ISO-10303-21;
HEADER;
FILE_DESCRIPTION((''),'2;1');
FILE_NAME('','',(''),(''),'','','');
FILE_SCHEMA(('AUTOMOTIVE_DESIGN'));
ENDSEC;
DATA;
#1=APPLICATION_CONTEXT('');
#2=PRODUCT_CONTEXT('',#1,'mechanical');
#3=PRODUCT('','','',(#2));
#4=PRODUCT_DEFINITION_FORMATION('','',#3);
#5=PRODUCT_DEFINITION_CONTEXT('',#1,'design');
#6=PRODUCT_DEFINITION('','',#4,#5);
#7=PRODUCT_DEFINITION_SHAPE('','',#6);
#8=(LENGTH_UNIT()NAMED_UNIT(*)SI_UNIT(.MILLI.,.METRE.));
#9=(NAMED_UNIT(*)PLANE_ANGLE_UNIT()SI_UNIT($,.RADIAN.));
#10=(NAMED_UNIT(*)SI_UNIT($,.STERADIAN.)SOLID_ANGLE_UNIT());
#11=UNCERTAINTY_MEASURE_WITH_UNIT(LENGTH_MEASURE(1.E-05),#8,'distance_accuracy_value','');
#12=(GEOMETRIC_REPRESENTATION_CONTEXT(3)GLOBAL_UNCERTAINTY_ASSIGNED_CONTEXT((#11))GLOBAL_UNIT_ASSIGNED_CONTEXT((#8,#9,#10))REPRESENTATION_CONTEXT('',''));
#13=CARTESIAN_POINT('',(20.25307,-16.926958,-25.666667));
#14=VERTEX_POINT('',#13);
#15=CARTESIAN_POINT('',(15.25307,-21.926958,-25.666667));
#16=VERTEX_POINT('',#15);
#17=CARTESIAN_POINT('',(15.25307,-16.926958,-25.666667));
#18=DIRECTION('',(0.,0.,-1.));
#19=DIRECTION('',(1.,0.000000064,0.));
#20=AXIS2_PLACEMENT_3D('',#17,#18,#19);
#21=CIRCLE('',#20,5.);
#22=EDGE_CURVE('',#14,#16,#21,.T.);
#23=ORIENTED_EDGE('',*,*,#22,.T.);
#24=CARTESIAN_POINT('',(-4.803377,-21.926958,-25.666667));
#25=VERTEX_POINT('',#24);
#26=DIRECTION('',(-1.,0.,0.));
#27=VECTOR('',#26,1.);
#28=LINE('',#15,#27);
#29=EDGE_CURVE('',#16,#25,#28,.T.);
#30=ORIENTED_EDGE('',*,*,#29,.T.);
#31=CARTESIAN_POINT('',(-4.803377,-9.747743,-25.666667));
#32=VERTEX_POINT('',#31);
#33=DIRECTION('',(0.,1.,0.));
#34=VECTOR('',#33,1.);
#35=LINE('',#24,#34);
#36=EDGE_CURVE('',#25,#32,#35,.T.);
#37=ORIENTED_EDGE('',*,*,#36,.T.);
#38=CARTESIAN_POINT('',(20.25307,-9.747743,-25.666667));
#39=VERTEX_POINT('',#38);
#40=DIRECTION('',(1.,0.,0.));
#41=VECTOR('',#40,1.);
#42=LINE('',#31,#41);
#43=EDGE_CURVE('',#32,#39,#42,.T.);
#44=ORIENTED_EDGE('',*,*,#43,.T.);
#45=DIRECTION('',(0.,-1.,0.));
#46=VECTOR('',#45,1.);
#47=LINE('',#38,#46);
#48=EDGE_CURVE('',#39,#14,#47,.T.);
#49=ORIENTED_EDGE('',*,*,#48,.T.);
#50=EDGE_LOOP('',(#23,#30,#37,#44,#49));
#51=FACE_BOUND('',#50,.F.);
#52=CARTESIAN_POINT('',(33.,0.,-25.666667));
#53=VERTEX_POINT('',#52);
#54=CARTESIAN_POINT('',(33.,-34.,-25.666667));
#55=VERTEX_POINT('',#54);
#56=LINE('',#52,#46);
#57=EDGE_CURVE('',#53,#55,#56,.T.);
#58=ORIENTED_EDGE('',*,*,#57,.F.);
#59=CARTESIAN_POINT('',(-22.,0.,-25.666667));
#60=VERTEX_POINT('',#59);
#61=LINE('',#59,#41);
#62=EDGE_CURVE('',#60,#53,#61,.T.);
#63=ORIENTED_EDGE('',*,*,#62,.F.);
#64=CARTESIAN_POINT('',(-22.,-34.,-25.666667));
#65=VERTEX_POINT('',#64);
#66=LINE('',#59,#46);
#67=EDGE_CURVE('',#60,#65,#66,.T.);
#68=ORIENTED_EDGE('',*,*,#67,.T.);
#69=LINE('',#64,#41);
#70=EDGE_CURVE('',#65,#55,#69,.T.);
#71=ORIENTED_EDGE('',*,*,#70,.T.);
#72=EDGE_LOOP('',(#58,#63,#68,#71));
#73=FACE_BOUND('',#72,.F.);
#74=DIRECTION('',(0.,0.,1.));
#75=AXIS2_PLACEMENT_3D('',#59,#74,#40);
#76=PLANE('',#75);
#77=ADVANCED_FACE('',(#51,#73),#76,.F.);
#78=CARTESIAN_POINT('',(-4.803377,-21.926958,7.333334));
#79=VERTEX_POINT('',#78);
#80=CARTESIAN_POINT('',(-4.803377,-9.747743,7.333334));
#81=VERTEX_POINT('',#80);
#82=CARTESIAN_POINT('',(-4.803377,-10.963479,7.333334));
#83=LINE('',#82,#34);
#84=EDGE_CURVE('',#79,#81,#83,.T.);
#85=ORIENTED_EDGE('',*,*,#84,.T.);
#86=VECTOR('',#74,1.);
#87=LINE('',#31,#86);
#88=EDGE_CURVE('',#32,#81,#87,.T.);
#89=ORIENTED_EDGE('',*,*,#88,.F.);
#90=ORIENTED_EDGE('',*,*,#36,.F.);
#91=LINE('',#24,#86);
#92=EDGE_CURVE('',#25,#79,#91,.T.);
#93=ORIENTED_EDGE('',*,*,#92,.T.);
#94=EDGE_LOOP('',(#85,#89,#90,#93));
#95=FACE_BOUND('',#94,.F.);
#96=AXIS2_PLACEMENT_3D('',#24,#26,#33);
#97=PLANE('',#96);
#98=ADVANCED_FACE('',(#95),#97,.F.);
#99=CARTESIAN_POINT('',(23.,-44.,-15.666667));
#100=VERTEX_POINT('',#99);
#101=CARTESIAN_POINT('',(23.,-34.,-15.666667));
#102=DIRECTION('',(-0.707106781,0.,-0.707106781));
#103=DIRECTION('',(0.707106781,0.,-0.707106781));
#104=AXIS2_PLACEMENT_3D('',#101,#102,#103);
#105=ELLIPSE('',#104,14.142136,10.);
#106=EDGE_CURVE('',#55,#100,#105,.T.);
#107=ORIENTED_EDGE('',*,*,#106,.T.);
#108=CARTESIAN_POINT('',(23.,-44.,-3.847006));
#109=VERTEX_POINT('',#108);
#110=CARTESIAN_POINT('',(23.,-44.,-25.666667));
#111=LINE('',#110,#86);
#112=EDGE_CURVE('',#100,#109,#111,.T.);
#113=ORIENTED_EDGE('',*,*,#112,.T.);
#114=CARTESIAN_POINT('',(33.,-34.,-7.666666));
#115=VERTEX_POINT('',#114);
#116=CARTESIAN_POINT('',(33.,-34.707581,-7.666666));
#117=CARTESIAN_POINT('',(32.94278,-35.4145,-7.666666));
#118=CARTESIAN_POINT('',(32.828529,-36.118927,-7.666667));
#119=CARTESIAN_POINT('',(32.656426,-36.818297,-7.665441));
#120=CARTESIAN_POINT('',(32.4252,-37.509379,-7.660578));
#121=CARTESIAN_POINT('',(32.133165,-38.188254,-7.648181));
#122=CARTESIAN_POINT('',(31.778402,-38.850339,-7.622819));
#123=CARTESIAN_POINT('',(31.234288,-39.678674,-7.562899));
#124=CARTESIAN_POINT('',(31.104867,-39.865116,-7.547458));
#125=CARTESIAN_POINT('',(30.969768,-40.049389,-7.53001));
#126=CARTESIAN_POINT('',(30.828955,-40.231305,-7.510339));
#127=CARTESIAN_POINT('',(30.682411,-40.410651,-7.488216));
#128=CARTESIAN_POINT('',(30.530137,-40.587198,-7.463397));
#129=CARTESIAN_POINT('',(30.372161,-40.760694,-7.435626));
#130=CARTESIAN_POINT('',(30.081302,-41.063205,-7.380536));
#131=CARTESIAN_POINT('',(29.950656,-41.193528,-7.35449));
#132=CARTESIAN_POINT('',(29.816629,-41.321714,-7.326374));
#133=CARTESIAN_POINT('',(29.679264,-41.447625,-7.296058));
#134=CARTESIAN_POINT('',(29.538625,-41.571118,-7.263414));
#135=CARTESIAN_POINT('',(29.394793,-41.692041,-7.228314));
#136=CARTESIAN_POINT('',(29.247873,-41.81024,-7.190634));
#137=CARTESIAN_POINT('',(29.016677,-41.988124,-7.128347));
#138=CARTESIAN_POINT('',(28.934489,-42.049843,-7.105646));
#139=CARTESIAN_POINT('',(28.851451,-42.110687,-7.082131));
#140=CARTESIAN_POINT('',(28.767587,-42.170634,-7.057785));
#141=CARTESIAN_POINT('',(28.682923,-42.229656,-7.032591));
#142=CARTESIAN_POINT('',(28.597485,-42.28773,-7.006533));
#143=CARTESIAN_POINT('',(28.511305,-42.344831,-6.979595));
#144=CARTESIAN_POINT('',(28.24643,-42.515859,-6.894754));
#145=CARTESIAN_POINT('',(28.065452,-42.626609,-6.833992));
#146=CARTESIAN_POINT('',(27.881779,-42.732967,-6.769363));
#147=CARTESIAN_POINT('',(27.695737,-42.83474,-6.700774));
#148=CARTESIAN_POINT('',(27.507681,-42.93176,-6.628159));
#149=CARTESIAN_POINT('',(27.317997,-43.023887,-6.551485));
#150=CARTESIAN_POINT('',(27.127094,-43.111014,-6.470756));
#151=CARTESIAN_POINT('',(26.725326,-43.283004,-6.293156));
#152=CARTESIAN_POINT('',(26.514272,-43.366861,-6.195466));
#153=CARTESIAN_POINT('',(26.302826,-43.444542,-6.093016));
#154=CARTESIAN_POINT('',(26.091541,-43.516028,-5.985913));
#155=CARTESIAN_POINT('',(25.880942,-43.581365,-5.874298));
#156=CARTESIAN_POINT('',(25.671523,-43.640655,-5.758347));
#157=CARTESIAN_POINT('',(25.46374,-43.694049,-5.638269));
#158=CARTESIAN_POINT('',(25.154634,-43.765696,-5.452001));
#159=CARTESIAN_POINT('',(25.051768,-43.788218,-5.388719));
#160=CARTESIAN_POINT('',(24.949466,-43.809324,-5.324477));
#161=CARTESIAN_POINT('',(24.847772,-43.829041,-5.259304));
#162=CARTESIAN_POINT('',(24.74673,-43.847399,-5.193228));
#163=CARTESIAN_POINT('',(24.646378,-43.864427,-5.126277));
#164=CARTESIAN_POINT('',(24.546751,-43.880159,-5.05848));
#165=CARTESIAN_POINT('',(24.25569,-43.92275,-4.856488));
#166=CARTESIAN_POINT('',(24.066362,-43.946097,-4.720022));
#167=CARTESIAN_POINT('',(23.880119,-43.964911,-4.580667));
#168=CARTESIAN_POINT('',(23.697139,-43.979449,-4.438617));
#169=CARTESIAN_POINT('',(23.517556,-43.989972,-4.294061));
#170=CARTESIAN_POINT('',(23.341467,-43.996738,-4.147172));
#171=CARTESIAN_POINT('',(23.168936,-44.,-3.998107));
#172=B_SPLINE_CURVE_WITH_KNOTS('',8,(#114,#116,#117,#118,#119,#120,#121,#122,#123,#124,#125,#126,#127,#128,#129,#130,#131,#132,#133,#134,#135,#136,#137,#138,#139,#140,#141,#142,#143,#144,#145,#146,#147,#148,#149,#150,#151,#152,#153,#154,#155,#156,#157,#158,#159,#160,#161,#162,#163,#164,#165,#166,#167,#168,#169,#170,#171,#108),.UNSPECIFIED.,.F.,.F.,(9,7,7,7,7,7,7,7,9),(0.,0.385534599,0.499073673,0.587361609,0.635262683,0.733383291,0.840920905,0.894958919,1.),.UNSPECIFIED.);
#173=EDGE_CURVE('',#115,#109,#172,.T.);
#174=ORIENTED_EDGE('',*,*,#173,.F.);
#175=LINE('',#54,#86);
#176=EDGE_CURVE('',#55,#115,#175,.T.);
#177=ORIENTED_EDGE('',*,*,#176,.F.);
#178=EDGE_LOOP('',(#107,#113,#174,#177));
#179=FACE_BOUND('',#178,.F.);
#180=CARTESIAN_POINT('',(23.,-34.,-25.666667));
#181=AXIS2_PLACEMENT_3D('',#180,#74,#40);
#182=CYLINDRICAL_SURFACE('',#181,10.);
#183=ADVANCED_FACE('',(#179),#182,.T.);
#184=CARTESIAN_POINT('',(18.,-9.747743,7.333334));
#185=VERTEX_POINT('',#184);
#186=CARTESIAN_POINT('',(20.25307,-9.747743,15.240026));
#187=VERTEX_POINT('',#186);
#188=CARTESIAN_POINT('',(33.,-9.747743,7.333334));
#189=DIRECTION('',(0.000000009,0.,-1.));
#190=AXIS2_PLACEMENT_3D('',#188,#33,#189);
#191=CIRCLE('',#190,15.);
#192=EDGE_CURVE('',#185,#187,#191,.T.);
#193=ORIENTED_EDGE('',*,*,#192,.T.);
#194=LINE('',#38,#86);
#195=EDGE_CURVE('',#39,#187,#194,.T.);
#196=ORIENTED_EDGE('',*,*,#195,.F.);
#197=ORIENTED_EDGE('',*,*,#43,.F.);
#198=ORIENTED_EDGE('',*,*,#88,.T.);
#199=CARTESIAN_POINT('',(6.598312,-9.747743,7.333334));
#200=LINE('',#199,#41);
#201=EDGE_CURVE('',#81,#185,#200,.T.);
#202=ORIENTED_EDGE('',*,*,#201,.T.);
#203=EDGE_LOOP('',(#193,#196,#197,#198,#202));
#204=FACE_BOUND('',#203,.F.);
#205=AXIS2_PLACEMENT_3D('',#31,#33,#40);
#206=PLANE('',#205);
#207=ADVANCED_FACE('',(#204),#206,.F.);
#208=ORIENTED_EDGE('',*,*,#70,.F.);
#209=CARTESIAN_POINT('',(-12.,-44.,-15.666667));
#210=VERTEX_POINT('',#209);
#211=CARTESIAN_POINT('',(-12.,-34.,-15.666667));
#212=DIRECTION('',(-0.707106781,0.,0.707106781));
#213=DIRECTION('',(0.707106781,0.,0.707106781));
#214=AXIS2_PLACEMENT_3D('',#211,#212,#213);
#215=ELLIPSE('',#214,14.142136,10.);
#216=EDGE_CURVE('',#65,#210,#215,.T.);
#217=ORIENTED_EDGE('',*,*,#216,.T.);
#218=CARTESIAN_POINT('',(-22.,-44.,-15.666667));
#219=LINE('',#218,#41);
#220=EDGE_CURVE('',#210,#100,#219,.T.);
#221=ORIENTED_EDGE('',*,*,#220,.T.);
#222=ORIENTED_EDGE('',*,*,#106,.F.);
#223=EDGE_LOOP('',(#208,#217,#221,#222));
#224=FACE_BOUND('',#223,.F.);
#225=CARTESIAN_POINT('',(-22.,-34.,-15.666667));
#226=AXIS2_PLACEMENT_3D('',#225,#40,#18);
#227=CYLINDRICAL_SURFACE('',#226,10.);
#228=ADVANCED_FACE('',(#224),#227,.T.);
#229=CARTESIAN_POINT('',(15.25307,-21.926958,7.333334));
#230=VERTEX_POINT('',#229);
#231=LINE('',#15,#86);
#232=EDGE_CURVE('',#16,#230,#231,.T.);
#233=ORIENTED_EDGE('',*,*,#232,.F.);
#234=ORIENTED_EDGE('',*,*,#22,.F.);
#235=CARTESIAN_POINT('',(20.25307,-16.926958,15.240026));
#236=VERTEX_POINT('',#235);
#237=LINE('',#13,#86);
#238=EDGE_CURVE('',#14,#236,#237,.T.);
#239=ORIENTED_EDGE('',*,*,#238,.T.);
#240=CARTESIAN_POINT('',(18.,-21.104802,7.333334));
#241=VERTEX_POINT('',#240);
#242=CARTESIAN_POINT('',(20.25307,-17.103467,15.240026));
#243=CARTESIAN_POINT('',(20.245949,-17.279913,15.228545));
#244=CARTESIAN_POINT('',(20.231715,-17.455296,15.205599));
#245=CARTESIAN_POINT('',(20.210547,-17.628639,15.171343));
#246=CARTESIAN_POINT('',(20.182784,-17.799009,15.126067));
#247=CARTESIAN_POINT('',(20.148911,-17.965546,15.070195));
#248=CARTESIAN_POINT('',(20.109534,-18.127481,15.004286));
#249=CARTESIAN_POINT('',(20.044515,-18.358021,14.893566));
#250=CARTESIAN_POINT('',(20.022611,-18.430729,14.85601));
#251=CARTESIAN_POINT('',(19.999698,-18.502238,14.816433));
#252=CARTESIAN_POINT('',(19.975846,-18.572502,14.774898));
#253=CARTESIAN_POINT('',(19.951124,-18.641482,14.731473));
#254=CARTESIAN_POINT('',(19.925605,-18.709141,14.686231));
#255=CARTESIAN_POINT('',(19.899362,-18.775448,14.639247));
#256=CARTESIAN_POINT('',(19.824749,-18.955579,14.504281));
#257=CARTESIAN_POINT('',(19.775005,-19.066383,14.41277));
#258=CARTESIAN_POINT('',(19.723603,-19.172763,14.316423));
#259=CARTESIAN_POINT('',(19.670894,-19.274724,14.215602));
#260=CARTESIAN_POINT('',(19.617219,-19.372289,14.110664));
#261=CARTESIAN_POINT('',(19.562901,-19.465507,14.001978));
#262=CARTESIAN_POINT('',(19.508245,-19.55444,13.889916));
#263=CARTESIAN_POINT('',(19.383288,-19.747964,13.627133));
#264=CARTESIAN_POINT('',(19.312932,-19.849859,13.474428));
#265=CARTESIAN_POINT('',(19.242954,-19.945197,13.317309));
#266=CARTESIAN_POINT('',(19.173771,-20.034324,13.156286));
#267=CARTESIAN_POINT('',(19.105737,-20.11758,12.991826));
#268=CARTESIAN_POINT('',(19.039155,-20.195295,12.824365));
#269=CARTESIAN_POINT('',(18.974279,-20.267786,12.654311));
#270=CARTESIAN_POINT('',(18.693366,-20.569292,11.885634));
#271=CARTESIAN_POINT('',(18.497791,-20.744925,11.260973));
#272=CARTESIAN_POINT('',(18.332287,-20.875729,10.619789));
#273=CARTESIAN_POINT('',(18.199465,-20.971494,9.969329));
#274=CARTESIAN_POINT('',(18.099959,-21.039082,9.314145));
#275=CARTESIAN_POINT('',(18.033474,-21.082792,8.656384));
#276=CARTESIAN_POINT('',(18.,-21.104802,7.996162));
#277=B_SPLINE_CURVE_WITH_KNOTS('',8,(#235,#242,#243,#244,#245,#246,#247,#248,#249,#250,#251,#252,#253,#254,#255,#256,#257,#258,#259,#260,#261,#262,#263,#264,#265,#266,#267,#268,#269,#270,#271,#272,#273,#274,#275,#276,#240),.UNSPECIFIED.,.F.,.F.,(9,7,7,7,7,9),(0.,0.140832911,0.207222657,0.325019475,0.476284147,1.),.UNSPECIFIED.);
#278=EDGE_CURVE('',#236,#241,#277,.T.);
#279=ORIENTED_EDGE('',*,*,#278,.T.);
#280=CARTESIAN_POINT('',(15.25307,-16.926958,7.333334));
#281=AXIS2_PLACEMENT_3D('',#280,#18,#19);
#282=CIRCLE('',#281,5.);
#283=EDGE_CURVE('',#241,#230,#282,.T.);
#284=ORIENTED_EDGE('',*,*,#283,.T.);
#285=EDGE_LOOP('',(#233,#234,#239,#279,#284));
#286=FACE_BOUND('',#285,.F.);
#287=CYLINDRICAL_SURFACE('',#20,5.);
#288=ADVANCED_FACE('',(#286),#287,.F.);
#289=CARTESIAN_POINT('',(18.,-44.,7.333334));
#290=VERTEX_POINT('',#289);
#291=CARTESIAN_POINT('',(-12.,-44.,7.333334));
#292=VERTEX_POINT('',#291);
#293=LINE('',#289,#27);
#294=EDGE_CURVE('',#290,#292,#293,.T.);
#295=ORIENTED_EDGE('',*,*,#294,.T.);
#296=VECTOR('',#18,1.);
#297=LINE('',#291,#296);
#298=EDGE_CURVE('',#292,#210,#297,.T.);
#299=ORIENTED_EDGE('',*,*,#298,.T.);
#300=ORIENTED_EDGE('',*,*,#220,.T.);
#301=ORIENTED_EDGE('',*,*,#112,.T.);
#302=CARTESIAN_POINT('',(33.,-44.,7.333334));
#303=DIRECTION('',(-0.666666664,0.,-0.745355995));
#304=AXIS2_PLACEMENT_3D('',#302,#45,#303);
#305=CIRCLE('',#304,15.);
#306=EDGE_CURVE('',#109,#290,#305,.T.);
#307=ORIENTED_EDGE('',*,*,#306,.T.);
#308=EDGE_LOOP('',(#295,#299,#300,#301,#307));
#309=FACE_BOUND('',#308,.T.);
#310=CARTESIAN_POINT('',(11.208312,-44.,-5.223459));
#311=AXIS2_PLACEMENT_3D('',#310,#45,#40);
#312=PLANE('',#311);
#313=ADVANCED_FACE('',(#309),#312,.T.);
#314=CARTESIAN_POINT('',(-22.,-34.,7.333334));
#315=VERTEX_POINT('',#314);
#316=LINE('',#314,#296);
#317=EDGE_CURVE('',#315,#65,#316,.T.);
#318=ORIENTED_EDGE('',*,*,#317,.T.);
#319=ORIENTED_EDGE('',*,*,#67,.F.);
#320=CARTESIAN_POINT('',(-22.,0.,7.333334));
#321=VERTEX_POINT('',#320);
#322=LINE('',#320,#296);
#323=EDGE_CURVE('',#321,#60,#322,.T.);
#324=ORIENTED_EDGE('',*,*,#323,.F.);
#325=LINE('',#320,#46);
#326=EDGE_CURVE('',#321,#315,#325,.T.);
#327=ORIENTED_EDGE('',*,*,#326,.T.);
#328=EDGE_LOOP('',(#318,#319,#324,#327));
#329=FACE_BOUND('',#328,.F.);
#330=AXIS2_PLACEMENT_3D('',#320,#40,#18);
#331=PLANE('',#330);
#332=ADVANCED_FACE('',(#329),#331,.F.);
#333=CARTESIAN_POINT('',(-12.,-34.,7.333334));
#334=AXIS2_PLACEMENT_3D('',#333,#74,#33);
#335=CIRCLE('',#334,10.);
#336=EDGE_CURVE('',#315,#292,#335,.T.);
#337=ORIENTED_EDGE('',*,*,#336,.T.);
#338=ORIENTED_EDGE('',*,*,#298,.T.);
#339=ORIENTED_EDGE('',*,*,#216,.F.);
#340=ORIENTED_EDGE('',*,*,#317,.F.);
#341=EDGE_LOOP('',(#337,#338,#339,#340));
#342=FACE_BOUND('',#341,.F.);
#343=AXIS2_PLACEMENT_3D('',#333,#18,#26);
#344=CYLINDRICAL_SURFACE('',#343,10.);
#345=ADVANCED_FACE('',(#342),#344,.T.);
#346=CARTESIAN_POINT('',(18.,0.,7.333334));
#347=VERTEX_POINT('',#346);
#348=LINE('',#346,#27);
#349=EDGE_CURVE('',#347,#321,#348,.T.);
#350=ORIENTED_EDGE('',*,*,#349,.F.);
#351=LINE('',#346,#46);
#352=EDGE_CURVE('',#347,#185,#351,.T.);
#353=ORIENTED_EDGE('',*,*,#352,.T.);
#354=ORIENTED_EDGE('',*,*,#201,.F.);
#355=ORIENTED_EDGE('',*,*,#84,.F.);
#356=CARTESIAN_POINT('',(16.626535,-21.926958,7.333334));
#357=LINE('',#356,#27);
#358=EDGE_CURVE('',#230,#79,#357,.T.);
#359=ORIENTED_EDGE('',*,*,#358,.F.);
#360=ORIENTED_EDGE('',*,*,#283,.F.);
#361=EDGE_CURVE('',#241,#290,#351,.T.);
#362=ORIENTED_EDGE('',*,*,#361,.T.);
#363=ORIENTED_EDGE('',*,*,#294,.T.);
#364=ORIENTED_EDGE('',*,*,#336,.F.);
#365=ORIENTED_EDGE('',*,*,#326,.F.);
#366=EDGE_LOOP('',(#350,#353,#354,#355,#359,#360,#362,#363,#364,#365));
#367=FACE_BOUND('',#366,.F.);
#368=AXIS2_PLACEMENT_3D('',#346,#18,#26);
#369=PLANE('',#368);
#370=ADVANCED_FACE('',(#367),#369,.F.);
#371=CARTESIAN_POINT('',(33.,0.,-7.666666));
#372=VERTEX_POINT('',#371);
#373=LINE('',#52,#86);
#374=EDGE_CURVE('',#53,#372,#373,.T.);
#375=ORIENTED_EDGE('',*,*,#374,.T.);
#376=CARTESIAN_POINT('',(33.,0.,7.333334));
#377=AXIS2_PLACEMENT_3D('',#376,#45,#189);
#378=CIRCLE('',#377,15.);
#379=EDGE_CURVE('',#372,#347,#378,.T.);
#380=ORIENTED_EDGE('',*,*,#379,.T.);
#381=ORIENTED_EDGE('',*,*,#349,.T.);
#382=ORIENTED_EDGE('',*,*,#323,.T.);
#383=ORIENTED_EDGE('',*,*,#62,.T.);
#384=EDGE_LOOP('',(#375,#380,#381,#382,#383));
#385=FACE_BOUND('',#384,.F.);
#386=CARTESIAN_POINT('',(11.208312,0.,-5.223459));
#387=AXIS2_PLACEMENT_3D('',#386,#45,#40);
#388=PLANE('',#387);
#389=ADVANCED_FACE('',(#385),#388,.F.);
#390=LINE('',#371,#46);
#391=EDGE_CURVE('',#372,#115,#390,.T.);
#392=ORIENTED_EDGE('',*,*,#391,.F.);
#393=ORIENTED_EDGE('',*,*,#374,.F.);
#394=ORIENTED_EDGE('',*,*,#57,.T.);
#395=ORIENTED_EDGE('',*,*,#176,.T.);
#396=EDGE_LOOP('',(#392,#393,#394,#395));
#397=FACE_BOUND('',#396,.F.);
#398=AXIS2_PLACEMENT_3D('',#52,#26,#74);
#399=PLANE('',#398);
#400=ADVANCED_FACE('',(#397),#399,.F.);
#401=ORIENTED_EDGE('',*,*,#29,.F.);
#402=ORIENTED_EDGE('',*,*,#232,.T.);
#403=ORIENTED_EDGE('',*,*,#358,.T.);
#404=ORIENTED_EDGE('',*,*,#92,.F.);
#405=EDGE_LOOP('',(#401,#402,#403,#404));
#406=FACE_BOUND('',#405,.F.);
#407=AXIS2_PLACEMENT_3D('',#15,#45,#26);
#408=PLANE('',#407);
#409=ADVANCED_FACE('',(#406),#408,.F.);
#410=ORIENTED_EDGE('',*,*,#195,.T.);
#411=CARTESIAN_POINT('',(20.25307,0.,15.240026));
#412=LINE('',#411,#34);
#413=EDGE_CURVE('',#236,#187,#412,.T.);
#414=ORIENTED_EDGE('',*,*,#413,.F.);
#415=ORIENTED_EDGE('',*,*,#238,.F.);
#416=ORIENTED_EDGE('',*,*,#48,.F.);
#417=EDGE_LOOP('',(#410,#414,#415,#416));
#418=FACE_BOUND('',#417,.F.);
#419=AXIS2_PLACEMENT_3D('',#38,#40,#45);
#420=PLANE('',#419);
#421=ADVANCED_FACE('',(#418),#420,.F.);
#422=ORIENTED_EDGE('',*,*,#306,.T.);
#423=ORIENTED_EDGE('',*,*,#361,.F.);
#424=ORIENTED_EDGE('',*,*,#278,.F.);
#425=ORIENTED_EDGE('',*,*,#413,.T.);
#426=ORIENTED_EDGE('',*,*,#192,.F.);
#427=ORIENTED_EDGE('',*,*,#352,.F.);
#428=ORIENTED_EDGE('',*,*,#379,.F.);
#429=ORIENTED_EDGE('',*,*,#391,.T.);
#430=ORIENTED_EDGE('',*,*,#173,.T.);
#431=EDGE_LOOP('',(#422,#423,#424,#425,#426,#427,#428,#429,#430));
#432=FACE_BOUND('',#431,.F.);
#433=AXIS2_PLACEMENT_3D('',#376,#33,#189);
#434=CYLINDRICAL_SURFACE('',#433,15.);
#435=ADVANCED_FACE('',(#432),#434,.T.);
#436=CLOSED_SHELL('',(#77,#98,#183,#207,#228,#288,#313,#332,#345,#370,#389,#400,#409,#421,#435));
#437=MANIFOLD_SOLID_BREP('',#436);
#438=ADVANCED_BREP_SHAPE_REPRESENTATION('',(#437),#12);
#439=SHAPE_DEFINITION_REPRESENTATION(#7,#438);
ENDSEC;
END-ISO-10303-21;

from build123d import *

# Parameters (mm, degrees)
F1_DEPTH = 44
F2_R     = 10
F4_DEPTH = 50.9


with BuildPart() as f1:
    # F0 (on Front) → F1 (new body)
    with BuildSketch(Plane.XZ):
        with BuildLine():
            Line((18, 7.333334), (-22, 7.333334))
            Line((-22, 7.333334), (-22, -25.666667))
            Line((-22, -25.666667), (33, -25.666667))
            Line((33, -25.666667), (33, -7.666666))
            ThreePointArc((33, -7.666666), (43.606602, 17.939935), (18, 7.333334))
        make_face()
    extrude(amount=F1_DEPTH)

    # F2
    f2_edges = [f1.edges().sort_by_distance(p)[0] for p in [
        (5.5, -44, -25.666667),
        (33, -44, -16.666667),
        (-22, -44, -9.166667),
    ]]
    fillet(f2_edges, radius=F2_R)

    # F3 (on face) → F4 (cut)
    with BuildSketch(Plane(origin=(0, 0, -25.666667), x_dir=(1, 0, 0), z_dir=(0, 0, -1))):
        with BuildLine():
            Line((15.25307, 21.926958), (-4.803377, 21.926958))
            Line((-4.803377, 21.926958), (-4.803377, 9.747743))
            Line((-4.803377, 9.747743), (20.25307, 9.747743))
            Line((20.25307, 9.747743), (20.25307, 16.926958))
            ThreePointArc((20.25307, 16.926958), (18.788604, 20.462492), (15.25307, 21.926958))
        make_face()
    extrude(amount=-F4_DEPTH, mode=Mode.SUBTRACT)


solid = f1.part
